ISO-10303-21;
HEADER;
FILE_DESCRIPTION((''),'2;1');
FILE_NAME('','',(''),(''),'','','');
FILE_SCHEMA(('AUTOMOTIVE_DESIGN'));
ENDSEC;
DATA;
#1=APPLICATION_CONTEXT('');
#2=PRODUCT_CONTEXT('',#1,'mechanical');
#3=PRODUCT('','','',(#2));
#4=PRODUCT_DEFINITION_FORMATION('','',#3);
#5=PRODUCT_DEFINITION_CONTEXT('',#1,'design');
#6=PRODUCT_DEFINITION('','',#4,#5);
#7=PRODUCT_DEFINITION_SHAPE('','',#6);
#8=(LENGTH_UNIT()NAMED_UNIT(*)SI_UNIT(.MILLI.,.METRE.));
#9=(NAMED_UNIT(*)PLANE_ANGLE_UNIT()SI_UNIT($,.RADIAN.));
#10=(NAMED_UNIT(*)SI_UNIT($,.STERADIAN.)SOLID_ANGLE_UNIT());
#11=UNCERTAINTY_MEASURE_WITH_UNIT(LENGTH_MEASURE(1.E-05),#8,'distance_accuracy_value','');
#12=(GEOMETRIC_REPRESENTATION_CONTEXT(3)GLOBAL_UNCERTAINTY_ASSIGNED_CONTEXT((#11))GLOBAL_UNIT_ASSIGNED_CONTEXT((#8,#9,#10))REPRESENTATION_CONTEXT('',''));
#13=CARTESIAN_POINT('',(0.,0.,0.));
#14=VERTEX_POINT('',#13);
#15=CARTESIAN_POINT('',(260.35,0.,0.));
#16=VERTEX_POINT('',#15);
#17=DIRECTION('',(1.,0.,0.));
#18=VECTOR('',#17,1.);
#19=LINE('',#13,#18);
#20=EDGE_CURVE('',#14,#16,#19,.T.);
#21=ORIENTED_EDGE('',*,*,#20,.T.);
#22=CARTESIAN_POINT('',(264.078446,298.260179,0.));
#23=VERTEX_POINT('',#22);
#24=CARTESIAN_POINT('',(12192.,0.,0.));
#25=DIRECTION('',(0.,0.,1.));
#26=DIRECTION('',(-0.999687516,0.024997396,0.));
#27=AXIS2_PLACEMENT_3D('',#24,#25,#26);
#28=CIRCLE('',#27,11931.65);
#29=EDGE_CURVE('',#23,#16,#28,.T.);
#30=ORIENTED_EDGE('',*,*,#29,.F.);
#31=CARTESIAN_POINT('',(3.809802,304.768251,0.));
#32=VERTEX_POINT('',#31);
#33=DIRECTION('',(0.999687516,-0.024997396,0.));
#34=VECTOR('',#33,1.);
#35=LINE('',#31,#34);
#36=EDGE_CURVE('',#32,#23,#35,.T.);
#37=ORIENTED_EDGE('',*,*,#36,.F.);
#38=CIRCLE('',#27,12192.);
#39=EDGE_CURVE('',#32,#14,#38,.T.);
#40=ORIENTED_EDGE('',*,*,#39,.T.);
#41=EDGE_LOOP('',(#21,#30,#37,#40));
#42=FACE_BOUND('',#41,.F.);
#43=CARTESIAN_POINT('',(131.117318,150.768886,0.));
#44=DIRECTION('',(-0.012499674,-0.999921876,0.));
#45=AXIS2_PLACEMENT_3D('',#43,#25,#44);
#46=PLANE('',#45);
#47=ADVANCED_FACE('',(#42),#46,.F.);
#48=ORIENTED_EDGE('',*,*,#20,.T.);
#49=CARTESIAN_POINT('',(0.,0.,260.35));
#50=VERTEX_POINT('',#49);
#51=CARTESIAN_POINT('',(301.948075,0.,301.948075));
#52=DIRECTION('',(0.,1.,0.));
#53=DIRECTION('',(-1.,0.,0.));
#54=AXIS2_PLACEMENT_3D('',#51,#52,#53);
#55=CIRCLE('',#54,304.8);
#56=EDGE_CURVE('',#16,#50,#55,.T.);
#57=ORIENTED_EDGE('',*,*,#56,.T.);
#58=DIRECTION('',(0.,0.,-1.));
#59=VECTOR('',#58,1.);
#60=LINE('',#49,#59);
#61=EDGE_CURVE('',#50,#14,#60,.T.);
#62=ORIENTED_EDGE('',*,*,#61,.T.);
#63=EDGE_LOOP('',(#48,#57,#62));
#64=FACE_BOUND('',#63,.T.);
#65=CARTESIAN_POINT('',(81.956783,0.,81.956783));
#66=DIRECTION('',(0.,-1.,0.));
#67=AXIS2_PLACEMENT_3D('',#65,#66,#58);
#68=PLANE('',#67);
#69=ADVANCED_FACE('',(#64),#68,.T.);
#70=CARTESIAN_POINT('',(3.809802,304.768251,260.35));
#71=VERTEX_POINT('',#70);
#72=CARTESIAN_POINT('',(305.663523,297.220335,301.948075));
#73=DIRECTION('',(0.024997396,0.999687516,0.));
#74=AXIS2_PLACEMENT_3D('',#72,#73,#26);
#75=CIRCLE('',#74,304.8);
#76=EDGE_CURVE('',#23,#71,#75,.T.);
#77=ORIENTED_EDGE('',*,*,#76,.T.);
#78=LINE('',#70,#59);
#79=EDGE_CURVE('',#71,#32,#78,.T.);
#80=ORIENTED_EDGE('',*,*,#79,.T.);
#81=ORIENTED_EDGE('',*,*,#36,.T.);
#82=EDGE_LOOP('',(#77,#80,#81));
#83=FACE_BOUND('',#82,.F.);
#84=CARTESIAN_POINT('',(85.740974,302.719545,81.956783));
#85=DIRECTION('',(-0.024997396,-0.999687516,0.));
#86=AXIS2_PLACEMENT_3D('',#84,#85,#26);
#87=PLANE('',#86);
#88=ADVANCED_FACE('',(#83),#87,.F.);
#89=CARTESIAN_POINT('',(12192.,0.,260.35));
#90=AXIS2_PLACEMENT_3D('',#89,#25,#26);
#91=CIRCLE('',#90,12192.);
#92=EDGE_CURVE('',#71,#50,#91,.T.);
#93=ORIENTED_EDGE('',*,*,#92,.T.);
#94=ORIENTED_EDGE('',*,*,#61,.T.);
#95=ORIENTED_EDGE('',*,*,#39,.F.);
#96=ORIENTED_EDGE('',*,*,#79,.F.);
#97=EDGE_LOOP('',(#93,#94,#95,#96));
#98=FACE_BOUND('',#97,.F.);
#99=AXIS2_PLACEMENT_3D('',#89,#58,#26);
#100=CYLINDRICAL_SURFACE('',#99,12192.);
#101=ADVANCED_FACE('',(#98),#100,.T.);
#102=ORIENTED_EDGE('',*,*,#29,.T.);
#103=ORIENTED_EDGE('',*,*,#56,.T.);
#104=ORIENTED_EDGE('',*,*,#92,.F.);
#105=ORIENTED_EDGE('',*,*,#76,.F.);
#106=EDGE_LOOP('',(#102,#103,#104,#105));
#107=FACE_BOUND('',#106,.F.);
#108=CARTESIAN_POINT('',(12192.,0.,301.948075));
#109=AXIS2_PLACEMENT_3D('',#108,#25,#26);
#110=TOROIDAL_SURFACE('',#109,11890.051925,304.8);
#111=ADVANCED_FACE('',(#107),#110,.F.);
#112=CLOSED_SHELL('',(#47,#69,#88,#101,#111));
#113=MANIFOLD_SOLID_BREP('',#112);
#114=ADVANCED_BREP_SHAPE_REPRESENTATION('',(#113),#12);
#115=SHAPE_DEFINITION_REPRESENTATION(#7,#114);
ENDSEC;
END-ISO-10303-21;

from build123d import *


with BuildPart() as f2:
    # F2: sweep along a path in F1
    with BuildLine(Plane.XY) as f2_path:
        ThreePointArc((3.8098015666, 304.7682509922), (0.9524875977, 152.396031281), (0, 0))
    # F0 (on Front) → F2 (sweep)
    with BuildSketch(Plane.XZ):
        with BuildLine():
            Line((0, 260.35), (0, 0))
            Line((0, 0), (260.35, 0))
            ThreePointArc((260.35, 0), (86.4219283273, 86.4219283273), (0, 260.35))
        make_face()
    sweep(path=f2_path.line)


solid = f2.part
